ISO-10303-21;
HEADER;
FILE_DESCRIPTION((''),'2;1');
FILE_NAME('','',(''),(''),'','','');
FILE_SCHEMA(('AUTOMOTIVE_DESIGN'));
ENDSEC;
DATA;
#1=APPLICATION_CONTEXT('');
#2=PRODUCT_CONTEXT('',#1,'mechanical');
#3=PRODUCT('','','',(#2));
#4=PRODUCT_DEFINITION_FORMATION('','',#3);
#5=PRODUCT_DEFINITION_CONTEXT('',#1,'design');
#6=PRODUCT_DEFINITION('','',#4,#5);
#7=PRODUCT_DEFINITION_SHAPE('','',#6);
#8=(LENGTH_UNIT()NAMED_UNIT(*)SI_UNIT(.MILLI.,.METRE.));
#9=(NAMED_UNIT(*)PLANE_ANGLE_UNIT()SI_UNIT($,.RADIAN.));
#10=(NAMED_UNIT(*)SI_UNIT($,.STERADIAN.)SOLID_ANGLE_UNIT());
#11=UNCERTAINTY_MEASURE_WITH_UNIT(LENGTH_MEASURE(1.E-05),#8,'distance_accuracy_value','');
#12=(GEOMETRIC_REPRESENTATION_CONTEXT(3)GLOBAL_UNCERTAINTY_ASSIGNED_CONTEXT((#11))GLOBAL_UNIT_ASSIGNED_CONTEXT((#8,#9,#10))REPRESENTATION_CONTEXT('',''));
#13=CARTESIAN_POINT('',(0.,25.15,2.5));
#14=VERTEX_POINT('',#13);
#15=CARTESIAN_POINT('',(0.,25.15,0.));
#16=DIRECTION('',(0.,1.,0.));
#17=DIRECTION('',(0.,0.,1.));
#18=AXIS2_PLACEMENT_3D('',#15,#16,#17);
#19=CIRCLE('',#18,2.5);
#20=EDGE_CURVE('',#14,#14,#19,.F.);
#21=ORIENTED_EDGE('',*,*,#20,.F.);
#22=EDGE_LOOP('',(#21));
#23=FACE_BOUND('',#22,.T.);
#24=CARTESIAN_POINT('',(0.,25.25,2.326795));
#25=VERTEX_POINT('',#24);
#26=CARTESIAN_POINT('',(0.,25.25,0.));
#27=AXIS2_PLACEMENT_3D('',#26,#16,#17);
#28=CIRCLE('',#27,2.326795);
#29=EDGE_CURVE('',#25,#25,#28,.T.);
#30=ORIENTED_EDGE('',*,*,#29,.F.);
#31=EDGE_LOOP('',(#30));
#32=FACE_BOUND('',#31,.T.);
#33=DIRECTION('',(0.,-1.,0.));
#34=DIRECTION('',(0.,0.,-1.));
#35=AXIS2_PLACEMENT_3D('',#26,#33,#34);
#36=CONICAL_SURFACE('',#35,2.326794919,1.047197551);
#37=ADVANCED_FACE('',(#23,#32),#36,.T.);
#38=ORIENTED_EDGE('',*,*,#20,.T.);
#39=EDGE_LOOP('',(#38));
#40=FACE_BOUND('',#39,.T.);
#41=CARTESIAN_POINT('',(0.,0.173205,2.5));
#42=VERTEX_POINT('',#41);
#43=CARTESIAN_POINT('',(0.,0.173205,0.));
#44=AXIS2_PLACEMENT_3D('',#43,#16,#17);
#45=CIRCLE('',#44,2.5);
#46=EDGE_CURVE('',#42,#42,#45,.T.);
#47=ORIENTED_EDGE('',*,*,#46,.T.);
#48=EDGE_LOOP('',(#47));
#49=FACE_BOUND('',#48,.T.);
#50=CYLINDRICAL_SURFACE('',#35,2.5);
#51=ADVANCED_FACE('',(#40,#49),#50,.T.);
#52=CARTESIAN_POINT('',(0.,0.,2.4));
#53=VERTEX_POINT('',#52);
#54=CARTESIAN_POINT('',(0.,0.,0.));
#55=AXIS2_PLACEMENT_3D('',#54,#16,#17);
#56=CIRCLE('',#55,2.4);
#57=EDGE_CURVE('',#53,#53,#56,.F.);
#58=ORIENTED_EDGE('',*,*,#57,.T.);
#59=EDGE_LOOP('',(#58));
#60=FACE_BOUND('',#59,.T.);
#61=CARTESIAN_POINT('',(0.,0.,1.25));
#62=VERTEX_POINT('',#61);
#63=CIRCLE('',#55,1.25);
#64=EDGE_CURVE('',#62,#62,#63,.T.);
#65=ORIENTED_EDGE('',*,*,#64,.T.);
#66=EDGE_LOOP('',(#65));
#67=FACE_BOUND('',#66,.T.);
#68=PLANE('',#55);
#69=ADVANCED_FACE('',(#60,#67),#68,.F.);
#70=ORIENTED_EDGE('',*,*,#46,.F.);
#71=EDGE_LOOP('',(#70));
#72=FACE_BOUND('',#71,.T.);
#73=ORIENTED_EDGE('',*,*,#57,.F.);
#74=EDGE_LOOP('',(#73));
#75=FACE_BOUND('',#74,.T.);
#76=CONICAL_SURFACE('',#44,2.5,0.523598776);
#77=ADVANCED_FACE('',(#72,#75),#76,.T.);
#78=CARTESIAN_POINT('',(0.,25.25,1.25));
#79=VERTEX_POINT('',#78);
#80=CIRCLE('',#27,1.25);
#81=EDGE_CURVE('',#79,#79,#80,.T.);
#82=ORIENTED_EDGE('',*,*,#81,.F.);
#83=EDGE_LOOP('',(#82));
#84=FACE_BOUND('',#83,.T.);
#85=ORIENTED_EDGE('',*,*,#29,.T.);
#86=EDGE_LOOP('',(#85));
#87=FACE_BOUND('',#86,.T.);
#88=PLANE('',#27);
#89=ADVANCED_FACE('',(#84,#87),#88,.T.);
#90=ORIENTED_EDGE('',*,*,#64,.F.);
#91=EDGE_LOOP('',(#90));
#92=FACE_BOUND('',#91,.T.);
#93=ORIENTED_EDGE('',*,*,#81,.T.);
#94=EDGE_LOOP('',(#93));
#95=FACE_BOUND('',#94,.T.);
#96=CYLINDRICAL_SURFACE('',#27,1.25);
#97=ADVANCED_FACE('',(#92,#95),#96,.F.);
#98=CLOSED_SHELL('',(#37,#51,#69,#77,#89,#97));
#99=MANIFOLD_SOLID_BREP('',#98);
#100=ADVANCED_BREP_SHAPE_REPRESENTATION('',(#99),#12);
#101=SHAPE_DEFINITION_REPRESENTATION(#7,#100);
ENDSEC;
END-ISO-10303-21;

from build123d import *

# Parameters (mm, degrees)
SKETCH2_R             = 2.5
BOSS_EXTRUDE1_DEPTH   = 25.25
CHAMFER1_SIZE         = 0.1
CHAMFER1_SIZE2        = 0.173205081
CHAMFER1_PART_2_SIZE  = 0.1
CHAMFER1_PART_2_SIZE2 = 0.173205081
M3X0_5_TAPPED_HOLE1_D = 2.5


with BuildPart() as part:
    # Sketch2 → Boss-Extrude1 (new body)
    with BuildSketch(Plane(origin=(0, 0, 0), x_dir=(1, 0, 0), z_dir=(0, 1, 0))):
        Circle(SKETCH2_R)
    extrude(amount=BOSS_EXTRUDE1_DEPTH)

    # Chamfer1
    chamfer1_edges = [part.edges().sort_by_distance(p)[0] for p in [
        (-2.5, 0, 0),
    ]]
    chamfer1_side = [part.faces().sort_by_distance(p)[0] for p in [
        (0, 0, 0),
    ]]
    chamfer(chamfer1_edges, length=CHAMFER1_SIZE, length2=CHAMFER1_SIZE2, reference=chamfer1_side[0])

    # Chamfer1 part 2
    chamfer1_part_2_edges = [part.edges().sort_by_distance(p)[0] for p in [
        (-2.5, 25.25, 0),
    ]]
    chamfer1_part_2_side = [part.faces().sort_by_distance(p)[0] for p in [
        (-2.5, 12.625, 0),
    ]]
    chamfer(chamfer1_part_2_edges, length=CHAMFER1_PART_2_SIZE, length2=CHAMFER1_PART_2_SIZE2, reference=chamfer1_part_2_side[0])

    # M3x0.5 Tapped Hole1 (through all)
    with Locations(Plane(origin=(0, 25.25, 0), x_dir=(1, 0, 0), z_dir=(0, 1, 0))):
        with Locations((0, 0)):
            Hole(M3X0_5_TAPPED_HOLE1_D / 2)


solid = part.part
